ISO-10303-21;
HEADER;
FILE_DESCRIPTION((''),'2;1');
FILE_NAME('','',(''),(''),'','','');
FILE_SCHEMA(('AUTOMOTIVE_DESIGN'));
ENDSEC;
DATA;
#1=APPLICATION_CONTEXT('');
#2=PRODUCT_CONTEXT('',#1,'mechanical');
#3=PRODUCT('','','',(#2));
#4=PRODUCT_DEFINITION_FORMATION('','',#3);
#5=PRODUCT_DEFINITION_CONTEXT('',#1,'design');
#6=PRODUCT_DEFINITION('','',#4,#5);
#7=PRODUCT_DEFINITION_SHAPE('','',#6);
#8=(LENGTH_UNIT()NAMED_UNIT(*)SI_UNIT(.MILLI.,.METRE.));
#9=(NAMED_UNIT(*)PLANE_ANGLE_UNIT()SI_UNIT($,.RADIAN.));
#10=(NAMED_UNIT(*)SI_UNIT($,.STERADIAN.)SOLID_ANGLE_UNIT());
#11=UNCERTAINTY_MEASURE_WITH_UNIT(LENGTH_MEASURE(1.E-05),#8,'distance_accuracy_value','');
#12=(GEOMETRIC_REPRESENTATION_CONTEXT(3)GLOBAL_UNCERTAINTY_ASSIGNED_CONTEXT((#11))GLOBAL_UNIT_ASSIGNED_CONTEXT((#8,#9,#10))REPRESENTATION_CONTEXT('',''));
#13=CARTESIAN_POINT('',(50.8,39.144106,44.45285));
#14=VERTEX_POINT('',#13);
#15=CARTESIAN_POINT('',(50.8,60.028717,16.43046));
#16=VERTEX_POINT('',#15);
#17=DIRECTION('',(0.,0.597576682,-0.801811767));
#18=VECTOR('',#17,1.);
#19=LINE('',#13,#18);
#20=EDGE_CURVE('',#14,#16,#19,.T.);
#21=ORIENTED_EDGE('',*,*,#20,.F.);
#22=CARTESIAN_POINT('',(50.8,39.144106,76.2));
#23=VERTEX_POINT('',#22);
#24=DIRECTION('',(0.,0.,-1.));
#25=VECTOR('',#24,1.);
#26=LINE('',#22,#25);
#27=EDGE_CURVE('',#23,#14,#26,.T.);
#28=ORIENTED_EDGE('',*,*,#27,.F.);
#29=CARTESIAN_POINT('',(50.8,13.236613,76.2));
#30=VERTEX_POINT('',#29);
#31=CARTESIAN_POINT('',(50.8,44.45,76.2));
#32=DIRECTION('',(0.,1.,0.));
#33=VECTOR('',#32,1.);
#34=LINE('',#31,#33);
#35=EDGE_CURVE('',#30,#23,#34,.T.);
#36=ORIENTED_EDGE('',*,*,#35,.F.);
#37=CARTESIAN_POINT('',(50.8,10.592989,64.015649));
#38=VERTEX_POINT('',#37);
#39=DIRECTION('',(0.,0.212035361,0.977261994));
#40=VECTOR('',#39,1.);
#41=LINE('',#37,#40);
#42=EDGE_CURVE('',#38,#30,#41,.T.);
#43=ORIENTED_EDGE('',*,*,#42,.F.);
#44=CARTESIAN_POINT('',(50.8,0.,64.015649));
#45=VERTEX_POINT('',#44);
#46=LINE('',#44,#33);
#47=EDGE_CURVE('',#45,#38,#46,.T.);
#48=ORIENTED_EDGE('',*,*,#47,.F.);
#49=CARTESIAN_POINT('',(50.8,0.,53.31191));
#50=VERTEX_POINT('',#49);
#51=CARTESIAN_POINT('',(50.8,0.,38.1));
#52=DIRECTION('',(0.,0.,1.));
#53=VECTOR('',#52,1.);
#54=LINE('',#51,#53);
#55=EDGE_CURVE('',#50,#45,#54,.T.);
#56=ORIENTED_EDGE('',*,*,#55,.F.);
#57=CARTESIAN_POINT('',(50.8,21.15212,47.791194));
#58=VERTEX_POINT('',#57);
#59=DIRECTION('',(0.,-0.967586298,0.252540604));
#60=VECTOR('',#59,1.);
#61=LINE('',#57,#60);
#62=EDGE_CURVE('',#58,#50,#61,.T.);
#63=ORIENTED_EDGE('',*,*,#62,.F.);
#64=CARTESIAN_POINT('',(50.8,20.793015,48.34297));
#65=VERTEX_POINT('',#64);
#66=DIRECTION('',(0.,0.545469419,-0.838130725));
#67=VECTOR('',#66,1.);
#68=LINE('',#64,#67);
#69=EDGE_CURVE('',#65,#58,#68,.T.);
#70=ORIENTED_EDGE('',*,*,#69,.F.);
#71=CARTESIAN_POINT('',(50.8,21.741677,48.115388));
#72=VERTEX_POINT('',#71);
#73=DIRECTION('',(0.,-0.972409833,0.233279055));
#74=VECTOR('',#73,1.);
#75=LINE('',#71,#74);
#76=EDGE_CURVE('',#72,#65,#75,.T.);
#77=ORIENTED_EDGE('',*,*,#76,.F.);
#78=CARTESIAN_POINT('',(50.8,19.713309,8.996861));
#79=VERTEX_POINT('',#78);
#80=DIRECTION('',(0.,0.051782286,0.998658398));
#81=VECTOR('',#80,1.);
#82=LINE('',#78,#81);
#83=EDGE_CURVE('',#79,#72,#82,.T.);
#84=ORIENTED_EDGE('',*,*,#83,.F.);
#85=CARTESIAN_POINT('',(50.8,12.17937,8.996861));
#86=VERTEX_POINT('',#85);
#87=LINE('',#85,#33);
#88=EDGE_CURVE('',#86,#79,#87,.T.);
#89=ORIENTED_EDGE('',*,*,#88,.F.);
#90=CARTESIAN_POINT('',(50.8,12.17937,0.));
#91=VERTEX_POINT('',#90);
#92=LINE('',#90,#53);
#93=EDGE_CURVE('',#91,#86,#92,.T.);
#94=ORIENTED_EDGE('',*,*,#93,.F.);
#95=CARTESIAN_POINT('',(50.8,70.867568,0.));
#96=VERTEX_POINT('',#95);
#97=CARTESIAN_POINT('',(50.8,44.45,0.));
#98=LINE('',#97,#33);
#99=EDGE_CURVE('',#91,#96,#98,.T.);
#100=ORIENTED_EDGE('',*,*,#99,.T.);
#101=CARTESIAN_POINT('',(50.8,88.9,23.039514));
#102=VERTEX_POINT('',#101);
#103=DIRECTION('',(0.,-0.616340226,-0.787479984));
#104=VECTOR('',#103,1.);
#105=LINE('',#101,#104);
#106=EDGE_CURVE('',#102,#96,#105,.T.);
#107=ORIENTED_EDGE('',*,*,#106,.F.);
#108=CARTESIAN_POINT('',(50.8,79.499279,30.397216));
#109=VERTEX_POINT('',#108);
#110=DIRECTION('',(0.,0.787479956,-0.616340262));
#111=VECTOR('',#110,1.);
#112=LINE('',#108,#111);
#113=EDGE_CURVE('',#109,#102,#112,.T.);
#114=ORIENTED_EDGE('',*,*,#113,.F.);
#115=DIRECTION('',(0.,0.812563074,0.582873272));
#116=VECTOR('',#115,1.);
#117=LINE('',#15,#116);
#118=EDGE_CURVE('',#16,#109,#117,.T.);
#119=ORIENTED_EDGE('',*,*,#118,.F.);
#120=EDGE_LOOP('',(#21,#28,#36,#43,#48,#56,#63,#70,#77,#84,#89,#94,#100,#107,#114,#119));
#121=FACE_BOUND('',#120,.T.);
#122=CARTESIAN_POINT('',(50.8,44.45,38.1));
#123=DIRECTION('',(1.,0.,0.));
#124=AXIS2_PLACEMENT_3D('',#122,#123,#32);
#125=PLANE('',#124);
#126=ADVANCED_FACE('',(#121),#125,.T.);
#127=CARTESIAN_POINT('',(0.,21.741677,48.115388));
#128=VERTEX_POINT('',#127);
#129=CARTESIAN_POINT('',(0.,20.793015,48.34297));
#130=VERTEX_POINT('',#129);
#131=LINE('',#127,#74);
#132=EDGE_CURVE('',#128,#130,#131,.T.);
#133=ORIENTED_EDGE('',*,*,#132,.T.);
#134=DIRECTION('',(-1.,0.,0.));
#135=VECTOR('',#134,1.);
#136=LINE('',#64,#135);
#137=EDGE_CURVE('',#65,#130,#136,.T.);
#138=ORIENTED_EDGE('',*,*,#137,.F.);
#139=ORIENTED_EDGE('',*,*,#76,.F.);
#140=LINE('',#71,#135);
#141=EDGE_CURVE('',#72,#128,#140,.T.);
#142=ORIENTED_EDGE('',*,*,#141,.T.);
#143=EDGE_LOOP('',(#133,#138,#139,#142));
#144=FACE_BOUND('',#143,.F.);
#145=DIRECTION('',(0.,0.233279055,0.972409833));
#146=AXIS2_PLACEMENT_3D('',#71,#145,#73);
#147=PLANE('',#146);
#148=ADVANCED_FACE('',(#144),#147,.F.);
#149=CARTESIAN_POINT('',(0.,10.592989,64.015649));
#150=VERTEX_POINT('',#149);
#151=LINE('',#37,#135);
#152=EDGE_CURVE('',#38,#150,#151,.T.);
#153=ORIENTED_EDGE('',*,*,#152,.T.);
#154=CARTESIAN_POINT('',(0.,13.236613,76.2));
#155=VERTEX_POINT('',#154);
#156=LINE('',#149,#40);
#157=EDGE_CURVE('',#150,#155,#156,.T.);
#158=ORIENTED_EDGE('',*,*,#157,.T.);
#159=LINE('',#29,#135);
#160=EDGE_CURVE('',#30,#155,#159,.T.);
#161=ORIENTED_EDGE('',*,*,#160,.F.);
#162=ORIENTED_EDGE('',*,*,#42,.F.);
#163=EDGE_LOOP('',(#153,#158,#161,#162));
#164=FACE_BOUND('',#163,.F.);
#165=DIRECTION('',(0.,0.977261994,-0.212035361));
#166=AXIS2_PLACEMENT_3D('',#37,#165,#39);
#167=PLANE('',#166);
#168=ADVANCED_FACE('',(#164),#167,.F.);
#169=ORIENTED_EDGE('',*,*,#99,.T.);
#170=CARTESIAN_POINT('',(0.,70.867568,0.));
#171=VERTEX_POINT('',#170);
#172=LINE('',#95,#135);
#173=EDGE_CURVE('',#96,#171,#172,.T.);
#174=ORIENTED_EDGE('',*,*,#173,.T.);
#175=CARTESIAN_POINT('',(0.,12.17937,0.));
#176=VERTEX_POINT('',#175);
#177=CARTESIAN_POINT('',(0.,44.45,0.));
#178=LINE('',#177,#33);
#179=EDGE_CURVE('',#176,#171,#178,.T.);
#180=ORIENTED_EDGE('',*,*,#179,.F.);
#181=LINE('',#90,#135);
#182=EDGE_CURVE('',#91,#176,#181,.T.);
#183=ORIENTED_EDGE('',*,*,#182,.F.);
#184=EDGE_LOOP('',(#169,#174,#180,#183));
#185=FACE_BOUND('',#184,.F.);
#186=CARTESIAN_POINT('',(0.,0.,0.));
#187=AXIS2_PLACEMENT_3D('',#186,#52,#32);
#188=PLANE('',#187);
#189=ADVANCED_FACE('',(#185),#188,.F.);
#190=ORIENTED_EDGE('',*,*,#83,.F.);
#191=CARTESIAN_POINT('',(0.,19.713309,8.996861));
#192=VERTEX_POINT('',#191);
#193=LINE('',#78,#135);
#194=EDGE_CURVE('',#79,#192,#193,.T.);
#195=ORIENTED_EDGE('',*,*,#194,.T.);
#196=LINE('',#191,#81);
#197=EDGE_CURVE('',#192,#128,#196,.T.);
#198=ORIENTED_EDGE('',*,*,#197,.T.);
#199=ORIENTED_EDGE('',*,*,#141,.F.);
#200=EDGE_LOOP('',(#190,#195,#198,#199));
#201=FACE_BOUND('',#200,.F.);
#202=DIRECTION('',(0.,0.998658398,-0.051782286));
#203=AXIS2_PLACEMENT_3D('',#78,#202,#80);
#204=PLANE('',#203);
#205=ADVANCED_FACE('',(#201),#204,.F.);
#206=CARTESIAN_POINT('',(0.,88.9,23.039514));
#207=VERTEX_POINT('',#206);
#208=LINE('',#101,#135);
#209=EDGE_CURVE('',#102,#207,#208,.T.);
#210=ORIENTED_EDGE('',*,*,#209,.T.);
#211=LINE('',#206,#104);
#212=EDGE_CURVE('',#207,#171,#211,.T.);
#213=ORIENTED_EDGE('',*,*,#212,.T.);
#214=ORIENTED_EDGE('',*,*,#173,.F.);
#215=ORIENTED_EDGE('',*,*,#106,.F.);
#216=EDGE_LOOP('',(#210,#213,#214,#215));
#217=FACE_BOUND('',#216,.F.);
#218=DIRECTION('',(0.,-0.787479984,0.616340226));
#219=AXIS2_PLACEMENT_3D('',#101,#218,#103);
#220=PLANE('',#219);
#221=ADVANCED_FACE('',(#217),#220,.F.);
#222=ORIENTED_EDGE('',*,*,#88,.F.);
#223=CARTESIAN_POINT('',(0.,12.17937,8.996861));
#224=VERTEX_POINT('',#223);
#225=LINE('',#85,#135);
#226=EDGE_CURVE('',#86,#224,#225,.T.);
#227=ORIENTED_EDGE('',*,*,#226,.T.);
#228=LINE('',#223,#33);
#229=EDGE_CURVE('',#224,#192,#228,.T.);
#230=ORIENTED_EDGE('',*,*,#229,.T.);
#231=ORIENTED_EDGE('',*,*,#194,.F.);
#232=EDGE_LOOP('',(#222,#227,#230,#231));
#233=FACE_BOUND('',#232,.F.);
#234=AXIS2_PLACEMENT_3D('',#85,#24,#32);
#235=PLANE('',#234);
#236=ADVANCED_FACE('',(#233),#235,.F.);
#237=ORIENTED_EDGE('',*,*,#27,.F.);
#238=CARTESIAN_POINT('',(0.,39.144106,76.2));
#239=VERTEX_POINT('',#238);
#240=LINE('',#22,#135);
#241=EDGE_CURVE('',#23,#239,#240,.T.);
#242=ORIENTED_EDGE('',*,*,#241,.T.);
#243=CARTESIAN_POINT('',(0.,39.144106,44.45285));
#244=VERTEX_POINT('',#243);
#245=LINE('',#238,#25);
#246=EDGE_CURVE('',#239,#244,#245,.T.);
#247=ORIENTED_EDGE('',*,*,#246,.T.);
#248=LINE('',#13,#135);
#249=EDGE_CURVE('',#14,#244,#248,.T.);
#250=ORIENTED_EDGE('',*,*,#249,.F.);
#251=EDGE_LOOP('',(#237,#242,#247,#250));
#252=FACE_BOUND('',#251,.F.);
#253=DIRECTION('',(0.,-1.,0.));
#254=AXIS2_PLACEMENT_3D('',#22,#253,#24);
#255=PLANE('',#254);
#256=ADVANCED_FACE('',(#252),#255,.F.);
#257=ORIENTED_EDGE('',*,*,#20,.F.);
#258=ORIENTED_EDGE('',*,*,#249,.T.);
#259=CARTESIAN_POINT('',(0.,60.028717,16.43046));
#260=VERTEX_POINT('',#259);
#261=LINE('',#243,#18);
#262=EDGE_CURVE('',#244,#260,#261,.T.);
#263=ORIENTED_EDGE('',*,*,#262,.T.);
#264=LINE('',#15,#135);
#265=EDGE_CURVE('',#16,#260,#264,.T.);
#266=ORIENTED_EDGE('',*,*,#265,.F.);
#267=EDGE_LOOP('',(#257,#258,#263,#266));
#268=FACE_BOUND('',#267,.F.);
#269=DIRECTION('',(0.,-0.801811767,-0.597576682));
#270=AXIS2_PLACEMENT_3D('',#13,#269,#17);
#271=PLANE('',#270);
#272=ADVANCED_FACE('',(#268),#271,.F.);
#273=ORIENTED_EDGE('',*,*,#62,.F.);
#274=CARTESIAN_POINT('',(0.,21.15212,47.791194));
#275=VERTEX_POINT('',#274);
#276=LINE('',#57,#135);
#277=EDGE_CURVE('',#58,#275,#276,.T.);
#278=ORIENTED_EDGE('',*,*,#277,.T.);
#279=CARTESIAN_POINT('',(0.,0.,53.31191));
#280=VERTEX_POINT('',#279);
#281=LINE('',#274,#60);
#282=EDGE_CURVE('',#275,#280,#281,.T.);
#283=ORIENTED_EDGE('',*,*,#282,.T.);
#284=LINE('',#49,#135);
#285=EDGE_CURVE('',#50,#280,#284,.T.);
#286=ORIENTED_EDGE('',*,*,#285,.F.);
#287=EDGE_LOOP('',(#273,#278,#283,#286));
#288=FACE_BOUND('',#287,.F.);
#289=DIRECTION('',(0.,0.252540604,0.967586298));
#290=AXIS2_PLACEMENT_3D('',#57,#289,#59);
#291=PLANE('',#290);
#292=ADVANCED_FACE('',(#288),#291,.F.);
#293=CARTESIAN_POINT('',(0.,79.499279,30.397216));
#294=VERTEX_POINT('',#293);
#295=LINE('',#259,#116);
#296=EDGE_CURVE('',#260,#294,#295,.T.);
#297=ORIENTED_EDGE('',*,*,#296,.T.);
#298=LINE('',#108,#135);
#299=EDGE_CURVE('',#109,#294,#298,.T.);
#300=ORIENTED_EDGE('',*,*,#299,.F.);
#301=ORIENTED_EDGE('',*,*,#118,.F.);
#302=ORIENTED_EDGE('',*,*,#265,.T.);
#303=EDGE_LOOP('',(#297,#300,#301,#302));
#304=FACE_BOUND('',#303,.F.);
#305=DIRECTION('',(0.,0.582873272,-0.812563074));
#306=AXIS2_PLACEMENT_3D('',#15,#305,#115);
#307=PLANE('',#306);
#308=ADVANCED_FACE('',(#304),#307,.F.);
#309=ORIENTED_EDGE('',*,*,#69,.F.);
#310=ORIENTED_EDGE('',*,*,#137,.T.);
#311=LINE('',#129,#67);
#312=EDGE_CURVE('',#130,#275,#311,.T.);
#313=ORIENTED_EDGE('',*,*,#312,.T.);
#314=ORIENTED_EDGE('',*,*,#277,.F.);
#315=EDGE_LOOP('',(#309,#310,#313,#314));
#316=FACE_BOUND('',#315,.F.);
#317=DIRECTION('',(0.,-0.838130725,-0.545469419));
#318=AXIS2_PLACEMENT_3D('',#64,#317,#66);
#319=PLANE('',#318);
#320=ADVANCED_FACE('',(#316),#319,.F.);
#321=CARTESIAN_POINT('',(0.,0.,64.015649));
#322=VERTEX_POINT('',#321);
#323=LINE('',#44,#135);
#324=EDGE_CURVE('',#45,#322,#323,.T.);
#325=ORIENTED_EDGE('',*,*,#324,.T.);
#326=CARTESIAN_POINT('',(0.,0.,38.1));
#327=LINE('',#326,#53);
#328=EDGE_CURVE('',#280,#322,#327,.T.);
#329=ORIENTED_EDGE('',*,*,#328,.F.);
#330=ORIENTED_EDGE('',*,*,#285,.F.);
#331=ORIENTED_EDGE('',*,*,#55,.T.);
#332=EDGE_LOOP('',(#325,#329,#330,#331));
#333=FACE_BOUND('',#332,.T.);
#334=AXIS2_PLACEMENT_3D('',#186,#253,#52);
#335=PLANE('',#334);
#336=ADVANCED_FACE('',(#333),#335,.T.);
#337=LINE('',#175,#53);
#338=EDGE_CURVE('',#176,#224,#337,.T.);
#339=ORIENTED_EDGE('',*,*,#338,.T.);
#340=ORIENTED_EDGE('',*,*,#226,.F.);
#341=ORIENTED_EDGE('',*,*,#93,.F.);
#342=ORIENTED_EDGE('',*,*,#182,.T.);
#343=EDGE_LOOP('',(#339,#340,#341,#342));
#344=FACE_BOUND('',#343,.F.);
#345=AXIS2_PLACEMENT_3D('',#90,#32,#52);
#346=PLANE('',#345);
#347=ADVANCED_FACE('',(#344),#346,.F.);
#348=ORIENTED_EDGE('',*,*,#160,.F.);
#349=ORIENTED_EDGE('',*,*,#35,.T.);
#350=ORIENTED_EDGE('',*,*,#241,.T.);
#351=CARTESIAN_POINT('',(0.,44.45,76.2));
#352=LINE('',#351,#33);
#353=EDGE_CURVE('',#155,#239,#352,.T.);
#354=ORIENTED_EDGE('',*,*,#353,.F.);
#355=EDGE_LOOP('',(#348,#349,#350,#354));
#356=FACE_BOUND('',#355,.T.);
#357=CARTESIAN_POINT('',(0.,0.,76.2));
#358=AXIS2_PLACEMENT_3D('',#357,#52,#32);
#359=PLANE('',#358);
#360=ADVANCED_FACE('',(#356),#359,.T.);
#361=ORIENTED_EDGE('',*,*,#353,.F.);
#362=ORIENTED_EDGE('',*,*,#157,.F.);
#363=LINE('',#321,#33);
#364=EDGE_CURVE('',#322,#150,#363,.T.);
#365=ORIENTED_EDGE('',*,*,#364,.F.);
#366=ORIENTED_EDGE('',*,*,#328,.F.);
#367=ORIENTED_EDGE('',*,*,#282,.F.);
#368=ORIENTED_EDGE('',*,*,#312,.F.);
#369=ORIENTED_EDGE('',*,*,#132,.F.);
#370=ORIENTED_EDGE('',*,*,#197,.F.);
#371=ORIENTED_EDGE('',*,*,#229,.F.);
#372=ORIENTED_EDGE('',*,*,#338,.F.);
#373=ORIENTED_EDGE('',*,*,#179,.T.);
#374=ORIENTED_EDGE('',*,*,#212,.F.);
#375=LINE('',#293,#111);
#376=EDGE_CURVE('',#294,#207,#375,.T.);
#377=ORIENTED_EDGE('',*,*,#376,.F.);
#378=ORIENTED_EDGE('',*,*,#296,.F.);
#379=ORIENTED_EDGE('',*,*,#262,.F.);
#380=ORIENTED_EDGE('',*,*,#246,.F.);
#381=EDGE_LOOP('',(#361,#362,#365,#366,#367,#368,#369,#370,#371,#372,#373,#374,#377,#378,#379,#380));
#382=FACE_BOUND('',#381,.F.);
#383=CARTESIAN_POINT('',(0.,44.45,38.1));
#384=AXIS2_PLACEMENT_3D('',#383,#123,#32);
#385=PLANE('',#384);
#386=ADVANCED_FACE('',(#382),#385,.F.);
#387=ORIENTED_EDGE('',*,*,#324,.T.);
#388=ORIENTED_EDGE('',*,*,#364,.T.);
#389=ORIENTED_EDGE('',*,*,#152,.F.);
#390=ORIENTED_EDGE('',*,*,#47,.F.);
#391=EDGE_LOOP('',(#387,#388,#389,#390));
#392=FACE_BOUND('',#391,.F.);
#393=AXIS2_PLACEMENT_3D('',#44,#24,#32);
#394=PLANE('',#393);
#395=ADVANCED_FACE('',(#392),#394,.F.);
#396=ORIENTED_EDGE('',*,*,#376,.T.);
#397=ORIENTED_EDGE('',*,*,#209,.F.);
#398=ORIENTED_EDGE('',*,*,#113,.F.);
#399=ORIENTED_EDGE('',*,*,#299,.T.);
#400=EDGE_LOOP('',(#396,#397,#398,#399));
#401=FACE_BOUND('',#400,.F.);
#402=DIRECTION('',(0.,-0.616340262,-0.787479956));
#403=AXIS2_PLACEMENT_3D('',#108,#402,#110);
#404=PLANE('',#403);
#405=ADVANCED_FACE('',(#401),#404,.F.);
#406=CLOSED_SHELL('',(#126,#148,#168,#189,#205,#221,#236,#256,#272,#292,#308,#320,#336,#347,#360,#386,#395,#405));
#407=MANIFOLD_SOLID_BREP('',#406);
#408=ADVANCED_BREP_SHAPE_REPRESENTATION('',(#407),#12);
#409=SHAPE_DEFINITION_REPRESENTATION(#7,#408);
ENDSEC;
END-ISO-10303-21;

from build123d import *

# Parameters (mm, degrees)
F0_W     = 88.9
F0_H     = 76.2
F1_DEPTH = 50.8
F4_DEPTH = 50.8
F7_DEPTH = 50.8


with BuildPart() as f1:
    # F0 (on Right) → F1 (new body)
    with BuildSketch(Plane.YZ):
        with Locations((44.45, 38.1)):
            Rectangle(F0_W, F0_H)
    extrude(amount=F1_DEPTH)

    # F2 (on face) → F4 (cut)
    with BuildSketch(Plane.YZ.offset(50.8)):
        Polygon((0, 76.2), (0, 64.015649), (10.592989, 64.015649), (13.236613, 76.2), align=None)
        Polygon((88.9, 76.2), (39.144106, 76.2), (39.144106, 44.45285), (60.028717, 16.43046), (79.499279, 30.397216), (88.9, 23.039514), align=None)
        Polygon((88.9, 23.039514), (70.867568, 0), (88.9, 0), align=None)
    extrude(amount=-F4_DEPTH, mode=Mode.SUBTRACT)

    # F6 (on face) → F7 (cut)
    with BuildSketch(Plane.YZ.offset(50.8)):
        Polygon((21.15212, 47.791194), (0, 53.31191), (0, 0), (12.17937, 0), (12.17937, 8.996861), (19.713309, 8.996861), (21.741677, 48.115388), (20.793015, 48.34297), align=None)
    extrude(amount=-F7_DEPTH, mode=Mode.SUBTRACT)


solid = f1.part
